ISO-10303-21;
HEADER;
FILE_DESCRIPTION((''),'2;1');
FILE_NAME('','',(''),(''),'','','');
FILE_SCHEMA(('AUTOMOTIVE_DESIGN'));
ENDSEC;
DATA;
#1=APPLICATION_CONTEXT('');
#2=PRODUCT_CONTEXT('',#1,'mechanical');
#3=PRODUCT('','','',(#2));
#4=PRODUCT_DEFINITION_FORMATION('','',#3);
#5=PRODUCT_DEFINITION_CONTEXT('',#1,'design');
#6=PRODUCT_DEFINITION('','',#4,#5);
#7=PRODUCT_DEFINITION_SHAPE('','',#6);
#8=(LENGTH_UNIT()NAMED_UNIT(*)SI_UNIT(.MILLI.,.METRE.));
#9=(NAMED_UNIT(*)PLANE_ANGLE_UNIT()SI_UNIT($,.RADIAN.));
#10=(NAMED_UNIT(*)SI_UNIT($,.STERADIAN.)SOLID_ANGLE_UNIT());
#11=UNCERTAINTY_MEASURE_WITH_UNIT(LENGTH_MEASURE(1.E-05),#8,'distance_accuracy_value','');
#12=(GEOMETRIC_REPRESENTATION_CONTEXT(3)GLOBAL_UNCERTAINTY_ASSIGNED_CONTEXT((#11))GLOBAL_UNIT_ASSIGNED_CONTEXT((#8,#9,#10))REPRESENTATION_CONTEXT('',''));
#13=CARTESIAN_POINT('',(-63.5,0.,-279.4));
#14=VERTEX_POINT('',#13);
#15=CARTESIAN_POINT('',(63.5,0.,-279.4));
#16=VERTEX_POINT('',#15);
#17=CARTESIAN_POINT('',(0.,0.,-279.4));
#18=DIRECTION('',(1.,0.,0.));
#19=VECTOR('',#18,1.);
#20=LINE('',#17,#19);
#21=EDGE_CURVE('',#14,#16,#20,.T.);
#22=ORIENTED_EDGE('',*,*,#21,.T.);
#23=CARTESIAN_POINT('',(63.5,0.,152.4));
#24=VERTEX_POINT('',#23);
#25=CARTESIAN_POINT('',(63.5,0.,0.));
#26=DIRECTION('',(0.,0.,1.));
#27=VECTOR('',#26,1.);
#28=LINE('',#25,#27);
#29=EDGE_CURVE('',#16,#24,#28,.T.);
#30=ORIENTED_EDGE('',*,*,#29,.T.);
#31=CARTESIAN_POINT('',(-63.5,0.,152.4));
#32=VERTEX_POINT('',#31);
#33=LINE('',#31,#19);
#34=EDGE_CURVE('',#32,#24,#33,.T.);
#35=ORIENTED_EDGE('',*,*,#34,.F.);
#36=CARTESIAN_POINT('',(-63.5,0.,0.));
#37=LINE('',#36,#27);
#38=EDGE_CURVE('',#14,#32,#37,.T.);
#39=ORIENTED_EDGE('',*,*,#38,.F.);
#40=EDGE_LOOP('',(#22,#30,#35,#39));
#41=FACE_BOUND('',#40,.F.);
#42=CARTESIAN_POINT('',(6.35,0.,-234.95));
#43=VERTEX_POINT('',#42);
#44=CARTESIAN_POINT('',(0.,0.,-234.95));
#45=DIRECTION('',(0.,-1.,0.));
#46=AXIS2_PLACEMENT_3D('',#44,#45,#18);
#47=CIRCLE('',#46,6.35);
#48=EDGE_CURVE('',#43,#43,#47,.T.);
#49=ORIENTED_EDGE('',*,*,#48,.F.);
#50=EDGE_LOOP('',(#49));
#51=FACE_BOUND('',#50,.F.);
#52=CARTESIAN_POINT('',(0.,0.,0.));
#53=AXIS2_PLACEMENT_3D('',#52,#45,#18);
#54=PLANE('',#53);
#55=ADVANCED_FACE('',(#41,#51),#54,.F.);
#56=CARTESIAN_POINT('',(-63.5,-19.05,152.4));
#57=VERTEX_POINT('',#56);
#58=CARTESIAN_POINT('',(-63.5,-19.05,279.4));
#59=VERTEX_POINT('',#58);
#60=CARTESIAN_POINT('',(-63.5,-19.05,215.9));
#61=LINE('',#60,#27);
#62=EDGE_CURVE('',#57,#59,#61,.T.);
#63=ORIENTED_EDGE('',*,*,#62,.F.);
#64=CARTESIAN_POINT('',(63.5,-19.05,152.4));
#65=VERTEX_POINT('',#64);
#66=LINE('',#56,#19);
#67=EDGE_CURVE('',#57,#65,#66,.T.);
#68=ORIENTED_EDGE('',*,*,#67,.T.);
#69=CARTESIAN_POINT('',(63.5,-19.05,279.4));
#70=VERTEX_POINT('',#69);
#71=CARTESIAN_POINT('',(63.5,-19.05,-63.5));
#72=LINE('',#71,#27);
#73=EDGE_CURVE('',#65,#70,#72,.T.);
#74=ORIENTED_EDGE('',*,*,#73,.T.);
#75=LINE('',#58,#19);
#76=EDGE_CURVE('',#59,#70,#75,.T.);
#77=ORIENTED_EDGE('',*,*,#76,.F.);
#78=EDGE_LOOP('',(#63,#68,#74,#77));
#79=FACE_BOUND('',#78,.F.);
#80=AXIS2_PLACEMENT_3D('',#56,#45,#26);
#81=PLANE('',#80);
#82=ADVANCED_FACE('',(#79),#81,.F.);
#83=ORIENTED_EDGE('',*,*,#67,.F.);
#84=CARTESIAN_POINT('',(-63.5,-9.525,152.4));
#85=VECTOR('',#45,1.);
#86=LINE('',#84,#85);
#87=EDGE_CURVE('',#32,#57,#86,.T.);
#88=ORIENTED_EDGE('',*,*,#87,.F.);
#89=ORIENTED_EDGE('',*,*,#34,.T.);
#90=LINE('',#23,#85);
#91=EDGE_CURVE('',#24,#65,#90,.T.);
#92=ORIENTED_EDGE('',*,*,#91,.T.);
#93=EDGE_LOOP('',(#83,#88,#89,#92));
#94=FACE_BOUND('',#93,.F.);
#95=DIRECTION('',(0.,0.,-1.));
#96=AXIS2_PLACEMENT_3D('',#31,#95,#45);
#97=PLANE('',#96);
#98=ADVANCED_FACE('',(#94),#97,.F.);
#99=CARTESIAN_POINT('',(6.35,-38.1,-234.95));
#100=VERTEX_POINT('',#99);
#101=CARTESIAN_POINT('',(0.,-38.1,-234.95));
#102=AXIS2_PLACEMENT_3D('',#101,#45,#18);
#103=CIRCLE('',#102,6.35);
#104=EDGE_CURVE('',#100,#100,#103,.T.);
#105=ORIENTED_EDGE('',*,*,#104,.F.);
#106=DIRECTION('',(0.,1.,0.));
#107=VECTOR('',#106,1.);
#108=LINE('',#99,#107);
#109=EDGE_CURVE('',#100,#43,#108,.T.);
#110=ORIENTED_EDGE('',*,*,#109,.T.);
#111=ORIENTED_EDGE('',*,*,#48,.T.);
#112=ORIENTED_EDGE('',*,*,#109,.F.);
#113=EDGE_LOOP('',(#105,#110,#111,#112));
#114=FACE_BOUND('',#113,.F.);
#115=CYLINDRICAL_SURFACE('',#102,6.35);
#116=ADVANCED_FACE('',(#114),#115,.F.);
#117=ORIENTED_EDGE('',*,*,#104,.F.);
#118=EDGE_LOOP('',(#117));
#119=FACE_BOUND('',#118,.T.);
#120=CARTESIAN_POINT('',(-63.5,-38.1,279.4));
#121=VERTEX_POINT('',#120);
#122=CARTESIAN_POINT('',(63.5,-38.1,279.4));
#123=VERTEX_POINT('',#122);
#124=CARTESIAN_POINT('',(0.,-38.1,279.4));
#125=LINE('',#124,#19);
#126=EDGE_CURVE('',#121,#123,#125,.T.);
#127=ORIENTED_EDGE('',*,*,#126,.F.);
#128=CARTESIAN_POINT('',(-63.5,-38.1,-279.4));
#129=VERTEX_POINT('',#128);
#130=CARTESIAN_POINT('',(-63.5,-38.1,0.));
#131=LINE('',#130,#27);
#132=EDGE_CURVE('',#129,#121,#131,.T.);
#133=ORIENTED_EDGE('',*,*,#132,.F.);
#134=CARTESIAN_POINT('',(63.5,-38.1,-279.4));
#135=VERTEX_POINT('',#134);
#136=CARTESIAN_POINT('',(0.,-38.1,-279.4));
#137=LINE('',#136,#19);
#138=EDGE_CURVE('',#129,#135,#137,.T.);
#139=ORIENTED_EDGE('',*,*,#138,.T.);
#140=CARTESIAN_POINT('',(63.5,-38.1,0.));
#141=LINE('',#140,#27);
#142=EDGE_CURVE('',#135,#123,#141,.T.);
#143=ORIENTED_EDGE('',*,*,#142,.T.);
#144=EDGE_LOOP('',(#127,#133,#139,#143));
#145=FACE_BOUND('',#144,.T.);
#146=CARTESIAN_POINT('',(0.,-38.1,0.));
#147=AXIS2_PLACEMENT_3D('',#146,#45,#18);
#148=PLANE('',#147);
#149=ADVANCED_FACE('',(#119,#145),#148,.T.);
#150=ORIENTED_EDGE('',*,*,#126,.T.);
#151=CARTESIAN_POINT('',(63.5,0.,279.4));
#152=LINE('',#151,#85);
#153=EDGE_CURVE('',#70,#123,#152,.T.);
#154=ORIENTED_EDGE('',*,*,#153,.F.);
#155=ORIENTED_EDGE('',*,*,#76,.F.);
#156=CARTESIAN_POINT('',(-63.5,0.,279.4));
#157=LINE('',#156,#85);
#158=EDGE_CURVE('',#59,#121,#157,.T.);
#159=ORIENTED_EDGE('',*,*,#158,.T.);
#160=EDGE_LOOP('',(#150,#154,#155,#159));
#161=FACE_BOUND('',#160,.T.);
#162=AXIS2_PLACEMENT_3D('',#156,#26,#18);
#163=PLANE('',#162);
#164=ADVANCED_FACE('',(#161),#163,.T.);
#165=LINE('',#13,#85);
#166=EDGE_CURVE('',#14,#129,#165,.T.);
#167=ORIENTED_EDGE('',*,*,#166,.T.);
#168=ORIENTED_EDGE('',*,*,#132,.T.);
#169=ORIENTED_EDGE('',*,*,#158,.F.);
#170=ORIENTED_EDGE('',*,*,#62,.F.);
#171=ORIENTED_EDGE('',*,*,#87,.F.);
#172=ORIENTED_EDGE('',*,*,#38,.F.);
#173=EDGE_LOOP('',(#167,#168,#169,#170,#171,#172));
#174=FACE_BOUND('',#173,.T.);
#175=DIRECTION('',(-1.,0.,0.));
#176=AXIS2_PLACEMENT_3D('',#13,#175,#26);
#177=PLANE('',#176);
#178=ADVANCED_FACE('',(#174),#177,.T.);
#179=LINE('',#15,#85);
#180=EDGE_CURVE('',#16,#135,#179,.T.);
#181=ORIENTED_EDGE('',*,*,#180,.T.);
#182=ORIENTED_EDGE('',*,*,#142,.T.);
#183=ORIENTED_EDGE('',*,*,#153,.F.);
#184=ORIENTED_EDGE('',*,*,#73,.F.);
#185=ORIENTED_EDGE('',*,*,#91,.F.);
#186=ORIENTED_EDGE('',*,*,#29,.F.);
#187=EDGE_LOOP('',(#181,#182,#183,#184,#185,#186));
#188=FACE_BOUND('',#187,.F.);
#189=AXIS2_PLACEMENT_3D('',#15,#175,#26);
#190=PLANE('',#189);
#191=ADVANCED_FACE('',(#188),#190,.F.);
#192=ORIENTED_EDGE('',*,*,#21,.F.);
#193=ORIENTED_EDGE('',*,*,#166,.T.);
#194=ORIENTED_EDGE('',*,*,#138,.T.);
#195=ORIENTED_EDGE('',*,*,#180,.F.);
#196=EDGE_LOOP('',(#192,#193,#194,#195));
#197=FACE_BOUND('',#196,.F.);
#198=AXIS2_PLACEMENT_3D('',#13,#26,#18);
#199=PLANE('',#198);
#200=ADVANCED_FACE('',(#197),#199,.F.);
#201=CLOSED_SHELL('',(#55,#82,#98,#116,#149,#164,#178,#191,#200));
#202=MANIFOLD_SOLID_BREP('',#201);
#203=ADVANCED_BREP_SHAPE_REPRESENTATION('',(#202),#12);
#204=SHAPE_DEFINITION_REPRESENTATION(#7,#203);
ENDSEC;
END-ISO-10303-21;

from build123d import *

# Parameters (mm, degrees)
F0_W     = 127
F0_H     = 558.8
F1_DEPTH = 38.1
F2_W     = 19.05
F2_H     = 127
F3_DEPTH = 152.4
F4_R     = 6.35
F5_DEPTH = 38.101


with BuildPart() as f1:
    # F0 (on Front) → F1 (new body)
    with BuildSketch(Plane.XZ):
        Rectangle(F0_W, F0_H)
    extrude(amount=F1_DEPTH)

    # F2 (on face) → F3 (cut)
    with BuildSketch(Plane(origin=(-63.5, 0, 0), x_dir=(0, -1, 0), z_dir=(-1, 0, 0))):
        with Locations((9.525, 215.9)):
            Rectangle(F2_W, F2_H)
    extrude(amount=-F3_DEPTH, mode=Mode.SUBTRACT)

    # F4 (on face) → F5 (cut, through all)
    with BuildSketch(Plane.XZ.offset(38.1)):
        with Locations((0, -234.95)):
            Circle(F4_R)
    extrude(amount=-F5_DEPTH, mode=Mode.SUBTRACT)


solid = f1.part
